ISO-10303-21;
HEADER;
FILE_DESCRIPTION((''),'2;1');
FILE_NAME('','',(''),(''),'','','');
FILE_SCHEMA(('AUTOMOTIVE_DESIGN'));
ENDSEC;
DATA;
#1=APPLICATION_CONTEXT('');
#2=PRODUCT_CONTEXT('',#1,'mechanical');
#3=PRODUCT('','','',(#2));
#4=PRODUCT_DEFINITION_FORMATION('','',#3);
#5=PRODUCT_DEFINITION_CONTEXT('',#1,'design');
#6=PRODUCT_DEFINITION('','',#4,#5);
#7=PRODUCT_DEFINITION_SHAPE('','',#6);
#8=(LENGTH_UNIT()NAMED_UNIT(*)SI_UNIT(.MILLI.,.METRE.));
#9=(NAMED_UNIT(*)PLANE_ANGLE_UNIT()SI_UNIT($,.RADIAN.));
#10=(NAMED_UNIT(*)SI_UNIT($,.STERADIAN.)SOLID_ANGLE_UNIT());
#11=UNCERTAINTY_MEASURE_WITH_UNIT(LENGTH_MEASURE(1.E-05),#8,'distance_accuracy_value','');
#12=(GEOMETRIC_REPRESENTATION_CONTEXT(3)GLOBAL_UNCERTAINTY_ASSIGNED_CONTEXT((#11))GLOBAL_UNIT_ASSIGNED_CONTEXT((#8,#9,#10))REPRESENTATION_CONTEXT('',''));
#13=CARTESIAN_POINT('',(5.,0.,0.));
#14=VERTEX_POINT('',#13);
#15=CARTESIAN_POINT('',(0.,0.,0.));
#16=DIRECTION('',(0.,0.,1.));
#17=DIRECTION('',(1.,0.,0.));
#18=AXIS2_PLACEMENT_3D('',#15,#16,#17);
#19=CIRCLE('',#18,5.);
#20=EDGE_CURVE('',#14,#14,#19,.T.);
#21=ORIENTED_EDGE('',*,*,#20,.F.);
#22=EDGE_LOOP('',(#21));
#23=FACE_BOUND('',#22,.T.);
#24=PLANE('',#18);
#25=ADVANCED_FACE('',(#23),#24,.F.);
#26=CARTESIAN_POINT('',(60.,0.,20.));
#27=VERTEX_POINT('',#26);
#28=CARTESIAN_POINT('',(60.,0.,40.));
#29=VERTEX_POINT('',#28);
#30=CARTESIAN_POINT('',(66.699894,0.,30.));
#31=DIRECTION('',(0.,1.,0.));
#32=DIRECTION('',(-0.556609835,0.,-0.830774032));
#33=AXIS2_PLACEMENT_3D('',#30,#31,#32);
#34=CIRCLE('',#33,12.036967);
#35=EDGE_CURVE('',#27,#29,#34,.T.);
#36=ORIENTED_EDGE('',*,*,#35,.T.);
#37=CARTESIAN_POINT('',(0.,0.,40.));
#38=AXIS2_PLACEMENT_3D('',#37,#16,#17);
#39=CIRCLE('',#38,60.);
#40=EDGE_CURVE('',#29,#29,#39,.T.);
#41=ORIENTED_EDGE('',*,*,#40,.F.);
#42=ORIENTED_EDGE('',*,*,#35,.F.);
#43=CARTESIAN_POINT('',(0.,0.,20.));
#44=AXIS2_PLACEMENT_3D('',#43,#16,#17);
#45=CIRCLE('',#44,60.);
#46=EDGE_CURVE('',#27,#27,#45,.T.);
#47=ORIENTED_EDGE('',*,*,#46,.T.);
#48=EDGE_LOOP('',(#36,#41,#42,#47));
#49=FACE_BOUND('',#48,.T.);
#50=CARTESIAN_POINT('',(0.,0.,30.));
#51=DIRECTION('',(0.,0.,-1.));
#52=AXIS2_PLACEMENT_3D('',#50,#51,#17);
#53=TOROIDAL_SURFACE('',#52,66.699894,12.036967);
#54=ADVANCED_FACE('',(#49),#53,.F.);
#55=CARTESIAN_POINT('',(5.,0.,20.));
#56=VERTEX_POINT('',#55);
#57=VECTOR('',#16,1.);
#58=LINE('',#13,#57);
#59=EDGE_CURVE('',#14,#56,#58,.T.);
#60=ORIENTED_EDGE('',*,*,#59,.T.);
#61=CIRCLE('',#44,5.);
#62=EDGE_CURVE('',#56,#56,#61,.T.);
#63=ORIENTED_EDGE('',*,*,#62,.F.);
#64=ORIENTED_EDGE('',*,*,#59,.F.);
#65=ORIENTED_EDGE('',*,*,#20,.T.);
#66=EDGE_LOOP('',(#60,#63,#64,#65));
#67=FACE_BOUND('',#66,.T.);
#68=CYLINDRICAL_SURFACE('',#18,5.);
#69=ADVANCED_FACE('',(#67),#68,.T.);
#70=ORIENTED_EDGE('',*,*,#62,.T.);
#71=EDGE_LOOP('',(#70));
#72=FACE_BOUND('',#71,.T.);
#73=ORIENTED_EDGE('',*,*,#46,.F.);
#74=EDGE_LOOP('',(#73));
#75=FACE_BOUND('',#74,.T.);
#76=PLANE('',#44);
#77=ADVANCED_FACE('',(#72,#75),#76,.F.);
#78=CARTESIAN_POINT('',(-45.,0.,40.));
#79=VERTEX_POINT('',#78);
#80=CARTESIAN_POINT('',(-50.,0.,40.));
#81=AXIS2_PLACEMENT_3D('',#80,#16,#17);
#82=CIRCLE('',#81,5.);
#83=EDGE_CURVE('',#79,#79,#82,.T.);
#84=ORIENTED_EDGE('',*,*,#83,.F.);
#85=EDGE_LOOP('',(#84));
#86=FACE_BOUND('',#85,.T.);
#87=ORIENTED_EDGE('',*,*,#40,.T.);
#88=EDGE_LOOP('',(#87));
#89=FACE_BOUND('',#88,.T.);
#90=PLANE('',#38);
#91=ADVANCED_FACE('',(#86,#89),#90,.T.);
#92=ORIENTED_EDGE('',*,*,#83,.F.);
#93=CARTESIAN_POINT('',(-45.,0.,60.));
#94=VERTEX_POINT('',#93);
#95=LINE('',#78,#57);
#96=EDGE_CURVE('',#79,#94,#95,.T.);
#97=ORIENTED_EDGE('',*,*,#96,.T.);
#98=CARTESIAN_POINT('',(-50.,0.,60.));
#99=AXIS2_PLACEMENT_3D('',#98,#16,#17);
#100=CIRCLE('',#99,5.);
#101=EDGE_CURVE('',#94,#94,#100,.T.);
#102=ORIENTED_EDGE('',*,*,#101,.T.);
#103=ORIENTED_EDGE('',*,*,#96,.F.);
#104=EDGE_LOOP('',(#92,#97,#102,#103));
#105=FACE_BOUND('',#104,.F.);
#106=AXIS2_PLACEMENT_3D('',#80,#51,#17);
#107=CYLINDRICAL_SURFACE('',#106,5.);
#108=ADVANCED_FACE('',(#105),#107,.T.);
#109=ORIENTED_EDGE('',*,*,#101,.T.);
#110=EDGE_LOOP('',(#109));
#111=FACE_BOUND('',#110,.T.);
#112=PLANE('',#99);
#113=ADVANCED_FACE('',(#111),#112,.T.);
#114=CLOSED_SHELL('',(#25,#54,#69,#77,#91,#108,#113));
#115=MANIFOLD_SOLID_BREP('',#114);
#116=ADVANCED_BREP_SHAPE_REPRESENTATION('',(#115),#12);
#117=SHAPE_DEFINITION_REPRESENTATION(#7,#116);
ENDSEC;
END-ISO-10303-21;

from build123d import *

# Parameters (mm, degrees)
F2_R     = 5
F3_DEPTH = 20
F4_R     = 5
F5_DEPTH = 30


with BuildPart() as f1:
    # F0 (on Front) → F1 (revolve)
    with BuildSketch(Plane.XZ):
        with BuildLine():
            Line((0, 70), (0, 0))
            Line((0, 0), (5, 0))
            Line((5, 0), (5, 20))
            Line((5, 20), (60, 20))
            ThreePointArc((60, 20), (54.662927, 30), (60, 40))
            Line((60, 40), (5, 40))
            Line((5, 40), (5, 70))
            Line((5, 70), (0, 70))
        make_face()
    revolve(axis=Axis((0, 0, 35), (0, 0, 1)))

    # F2 (on face) → F3 (join)
    with BuildSketch(Plane.XY.offset(40)):
        with Locations((-50, 0)):
            Circle(F2_R)
    extrude(amount=F3_DEPTH)

    # F4 (on face) → F5 (cut)
    with BuildSketch(Plane.XY.offset(70)):
        Circle(F4_R)
    extrude(amount=-F5_DEPTH, mode=Mode.SUBTRACT)


solid = f1.part
